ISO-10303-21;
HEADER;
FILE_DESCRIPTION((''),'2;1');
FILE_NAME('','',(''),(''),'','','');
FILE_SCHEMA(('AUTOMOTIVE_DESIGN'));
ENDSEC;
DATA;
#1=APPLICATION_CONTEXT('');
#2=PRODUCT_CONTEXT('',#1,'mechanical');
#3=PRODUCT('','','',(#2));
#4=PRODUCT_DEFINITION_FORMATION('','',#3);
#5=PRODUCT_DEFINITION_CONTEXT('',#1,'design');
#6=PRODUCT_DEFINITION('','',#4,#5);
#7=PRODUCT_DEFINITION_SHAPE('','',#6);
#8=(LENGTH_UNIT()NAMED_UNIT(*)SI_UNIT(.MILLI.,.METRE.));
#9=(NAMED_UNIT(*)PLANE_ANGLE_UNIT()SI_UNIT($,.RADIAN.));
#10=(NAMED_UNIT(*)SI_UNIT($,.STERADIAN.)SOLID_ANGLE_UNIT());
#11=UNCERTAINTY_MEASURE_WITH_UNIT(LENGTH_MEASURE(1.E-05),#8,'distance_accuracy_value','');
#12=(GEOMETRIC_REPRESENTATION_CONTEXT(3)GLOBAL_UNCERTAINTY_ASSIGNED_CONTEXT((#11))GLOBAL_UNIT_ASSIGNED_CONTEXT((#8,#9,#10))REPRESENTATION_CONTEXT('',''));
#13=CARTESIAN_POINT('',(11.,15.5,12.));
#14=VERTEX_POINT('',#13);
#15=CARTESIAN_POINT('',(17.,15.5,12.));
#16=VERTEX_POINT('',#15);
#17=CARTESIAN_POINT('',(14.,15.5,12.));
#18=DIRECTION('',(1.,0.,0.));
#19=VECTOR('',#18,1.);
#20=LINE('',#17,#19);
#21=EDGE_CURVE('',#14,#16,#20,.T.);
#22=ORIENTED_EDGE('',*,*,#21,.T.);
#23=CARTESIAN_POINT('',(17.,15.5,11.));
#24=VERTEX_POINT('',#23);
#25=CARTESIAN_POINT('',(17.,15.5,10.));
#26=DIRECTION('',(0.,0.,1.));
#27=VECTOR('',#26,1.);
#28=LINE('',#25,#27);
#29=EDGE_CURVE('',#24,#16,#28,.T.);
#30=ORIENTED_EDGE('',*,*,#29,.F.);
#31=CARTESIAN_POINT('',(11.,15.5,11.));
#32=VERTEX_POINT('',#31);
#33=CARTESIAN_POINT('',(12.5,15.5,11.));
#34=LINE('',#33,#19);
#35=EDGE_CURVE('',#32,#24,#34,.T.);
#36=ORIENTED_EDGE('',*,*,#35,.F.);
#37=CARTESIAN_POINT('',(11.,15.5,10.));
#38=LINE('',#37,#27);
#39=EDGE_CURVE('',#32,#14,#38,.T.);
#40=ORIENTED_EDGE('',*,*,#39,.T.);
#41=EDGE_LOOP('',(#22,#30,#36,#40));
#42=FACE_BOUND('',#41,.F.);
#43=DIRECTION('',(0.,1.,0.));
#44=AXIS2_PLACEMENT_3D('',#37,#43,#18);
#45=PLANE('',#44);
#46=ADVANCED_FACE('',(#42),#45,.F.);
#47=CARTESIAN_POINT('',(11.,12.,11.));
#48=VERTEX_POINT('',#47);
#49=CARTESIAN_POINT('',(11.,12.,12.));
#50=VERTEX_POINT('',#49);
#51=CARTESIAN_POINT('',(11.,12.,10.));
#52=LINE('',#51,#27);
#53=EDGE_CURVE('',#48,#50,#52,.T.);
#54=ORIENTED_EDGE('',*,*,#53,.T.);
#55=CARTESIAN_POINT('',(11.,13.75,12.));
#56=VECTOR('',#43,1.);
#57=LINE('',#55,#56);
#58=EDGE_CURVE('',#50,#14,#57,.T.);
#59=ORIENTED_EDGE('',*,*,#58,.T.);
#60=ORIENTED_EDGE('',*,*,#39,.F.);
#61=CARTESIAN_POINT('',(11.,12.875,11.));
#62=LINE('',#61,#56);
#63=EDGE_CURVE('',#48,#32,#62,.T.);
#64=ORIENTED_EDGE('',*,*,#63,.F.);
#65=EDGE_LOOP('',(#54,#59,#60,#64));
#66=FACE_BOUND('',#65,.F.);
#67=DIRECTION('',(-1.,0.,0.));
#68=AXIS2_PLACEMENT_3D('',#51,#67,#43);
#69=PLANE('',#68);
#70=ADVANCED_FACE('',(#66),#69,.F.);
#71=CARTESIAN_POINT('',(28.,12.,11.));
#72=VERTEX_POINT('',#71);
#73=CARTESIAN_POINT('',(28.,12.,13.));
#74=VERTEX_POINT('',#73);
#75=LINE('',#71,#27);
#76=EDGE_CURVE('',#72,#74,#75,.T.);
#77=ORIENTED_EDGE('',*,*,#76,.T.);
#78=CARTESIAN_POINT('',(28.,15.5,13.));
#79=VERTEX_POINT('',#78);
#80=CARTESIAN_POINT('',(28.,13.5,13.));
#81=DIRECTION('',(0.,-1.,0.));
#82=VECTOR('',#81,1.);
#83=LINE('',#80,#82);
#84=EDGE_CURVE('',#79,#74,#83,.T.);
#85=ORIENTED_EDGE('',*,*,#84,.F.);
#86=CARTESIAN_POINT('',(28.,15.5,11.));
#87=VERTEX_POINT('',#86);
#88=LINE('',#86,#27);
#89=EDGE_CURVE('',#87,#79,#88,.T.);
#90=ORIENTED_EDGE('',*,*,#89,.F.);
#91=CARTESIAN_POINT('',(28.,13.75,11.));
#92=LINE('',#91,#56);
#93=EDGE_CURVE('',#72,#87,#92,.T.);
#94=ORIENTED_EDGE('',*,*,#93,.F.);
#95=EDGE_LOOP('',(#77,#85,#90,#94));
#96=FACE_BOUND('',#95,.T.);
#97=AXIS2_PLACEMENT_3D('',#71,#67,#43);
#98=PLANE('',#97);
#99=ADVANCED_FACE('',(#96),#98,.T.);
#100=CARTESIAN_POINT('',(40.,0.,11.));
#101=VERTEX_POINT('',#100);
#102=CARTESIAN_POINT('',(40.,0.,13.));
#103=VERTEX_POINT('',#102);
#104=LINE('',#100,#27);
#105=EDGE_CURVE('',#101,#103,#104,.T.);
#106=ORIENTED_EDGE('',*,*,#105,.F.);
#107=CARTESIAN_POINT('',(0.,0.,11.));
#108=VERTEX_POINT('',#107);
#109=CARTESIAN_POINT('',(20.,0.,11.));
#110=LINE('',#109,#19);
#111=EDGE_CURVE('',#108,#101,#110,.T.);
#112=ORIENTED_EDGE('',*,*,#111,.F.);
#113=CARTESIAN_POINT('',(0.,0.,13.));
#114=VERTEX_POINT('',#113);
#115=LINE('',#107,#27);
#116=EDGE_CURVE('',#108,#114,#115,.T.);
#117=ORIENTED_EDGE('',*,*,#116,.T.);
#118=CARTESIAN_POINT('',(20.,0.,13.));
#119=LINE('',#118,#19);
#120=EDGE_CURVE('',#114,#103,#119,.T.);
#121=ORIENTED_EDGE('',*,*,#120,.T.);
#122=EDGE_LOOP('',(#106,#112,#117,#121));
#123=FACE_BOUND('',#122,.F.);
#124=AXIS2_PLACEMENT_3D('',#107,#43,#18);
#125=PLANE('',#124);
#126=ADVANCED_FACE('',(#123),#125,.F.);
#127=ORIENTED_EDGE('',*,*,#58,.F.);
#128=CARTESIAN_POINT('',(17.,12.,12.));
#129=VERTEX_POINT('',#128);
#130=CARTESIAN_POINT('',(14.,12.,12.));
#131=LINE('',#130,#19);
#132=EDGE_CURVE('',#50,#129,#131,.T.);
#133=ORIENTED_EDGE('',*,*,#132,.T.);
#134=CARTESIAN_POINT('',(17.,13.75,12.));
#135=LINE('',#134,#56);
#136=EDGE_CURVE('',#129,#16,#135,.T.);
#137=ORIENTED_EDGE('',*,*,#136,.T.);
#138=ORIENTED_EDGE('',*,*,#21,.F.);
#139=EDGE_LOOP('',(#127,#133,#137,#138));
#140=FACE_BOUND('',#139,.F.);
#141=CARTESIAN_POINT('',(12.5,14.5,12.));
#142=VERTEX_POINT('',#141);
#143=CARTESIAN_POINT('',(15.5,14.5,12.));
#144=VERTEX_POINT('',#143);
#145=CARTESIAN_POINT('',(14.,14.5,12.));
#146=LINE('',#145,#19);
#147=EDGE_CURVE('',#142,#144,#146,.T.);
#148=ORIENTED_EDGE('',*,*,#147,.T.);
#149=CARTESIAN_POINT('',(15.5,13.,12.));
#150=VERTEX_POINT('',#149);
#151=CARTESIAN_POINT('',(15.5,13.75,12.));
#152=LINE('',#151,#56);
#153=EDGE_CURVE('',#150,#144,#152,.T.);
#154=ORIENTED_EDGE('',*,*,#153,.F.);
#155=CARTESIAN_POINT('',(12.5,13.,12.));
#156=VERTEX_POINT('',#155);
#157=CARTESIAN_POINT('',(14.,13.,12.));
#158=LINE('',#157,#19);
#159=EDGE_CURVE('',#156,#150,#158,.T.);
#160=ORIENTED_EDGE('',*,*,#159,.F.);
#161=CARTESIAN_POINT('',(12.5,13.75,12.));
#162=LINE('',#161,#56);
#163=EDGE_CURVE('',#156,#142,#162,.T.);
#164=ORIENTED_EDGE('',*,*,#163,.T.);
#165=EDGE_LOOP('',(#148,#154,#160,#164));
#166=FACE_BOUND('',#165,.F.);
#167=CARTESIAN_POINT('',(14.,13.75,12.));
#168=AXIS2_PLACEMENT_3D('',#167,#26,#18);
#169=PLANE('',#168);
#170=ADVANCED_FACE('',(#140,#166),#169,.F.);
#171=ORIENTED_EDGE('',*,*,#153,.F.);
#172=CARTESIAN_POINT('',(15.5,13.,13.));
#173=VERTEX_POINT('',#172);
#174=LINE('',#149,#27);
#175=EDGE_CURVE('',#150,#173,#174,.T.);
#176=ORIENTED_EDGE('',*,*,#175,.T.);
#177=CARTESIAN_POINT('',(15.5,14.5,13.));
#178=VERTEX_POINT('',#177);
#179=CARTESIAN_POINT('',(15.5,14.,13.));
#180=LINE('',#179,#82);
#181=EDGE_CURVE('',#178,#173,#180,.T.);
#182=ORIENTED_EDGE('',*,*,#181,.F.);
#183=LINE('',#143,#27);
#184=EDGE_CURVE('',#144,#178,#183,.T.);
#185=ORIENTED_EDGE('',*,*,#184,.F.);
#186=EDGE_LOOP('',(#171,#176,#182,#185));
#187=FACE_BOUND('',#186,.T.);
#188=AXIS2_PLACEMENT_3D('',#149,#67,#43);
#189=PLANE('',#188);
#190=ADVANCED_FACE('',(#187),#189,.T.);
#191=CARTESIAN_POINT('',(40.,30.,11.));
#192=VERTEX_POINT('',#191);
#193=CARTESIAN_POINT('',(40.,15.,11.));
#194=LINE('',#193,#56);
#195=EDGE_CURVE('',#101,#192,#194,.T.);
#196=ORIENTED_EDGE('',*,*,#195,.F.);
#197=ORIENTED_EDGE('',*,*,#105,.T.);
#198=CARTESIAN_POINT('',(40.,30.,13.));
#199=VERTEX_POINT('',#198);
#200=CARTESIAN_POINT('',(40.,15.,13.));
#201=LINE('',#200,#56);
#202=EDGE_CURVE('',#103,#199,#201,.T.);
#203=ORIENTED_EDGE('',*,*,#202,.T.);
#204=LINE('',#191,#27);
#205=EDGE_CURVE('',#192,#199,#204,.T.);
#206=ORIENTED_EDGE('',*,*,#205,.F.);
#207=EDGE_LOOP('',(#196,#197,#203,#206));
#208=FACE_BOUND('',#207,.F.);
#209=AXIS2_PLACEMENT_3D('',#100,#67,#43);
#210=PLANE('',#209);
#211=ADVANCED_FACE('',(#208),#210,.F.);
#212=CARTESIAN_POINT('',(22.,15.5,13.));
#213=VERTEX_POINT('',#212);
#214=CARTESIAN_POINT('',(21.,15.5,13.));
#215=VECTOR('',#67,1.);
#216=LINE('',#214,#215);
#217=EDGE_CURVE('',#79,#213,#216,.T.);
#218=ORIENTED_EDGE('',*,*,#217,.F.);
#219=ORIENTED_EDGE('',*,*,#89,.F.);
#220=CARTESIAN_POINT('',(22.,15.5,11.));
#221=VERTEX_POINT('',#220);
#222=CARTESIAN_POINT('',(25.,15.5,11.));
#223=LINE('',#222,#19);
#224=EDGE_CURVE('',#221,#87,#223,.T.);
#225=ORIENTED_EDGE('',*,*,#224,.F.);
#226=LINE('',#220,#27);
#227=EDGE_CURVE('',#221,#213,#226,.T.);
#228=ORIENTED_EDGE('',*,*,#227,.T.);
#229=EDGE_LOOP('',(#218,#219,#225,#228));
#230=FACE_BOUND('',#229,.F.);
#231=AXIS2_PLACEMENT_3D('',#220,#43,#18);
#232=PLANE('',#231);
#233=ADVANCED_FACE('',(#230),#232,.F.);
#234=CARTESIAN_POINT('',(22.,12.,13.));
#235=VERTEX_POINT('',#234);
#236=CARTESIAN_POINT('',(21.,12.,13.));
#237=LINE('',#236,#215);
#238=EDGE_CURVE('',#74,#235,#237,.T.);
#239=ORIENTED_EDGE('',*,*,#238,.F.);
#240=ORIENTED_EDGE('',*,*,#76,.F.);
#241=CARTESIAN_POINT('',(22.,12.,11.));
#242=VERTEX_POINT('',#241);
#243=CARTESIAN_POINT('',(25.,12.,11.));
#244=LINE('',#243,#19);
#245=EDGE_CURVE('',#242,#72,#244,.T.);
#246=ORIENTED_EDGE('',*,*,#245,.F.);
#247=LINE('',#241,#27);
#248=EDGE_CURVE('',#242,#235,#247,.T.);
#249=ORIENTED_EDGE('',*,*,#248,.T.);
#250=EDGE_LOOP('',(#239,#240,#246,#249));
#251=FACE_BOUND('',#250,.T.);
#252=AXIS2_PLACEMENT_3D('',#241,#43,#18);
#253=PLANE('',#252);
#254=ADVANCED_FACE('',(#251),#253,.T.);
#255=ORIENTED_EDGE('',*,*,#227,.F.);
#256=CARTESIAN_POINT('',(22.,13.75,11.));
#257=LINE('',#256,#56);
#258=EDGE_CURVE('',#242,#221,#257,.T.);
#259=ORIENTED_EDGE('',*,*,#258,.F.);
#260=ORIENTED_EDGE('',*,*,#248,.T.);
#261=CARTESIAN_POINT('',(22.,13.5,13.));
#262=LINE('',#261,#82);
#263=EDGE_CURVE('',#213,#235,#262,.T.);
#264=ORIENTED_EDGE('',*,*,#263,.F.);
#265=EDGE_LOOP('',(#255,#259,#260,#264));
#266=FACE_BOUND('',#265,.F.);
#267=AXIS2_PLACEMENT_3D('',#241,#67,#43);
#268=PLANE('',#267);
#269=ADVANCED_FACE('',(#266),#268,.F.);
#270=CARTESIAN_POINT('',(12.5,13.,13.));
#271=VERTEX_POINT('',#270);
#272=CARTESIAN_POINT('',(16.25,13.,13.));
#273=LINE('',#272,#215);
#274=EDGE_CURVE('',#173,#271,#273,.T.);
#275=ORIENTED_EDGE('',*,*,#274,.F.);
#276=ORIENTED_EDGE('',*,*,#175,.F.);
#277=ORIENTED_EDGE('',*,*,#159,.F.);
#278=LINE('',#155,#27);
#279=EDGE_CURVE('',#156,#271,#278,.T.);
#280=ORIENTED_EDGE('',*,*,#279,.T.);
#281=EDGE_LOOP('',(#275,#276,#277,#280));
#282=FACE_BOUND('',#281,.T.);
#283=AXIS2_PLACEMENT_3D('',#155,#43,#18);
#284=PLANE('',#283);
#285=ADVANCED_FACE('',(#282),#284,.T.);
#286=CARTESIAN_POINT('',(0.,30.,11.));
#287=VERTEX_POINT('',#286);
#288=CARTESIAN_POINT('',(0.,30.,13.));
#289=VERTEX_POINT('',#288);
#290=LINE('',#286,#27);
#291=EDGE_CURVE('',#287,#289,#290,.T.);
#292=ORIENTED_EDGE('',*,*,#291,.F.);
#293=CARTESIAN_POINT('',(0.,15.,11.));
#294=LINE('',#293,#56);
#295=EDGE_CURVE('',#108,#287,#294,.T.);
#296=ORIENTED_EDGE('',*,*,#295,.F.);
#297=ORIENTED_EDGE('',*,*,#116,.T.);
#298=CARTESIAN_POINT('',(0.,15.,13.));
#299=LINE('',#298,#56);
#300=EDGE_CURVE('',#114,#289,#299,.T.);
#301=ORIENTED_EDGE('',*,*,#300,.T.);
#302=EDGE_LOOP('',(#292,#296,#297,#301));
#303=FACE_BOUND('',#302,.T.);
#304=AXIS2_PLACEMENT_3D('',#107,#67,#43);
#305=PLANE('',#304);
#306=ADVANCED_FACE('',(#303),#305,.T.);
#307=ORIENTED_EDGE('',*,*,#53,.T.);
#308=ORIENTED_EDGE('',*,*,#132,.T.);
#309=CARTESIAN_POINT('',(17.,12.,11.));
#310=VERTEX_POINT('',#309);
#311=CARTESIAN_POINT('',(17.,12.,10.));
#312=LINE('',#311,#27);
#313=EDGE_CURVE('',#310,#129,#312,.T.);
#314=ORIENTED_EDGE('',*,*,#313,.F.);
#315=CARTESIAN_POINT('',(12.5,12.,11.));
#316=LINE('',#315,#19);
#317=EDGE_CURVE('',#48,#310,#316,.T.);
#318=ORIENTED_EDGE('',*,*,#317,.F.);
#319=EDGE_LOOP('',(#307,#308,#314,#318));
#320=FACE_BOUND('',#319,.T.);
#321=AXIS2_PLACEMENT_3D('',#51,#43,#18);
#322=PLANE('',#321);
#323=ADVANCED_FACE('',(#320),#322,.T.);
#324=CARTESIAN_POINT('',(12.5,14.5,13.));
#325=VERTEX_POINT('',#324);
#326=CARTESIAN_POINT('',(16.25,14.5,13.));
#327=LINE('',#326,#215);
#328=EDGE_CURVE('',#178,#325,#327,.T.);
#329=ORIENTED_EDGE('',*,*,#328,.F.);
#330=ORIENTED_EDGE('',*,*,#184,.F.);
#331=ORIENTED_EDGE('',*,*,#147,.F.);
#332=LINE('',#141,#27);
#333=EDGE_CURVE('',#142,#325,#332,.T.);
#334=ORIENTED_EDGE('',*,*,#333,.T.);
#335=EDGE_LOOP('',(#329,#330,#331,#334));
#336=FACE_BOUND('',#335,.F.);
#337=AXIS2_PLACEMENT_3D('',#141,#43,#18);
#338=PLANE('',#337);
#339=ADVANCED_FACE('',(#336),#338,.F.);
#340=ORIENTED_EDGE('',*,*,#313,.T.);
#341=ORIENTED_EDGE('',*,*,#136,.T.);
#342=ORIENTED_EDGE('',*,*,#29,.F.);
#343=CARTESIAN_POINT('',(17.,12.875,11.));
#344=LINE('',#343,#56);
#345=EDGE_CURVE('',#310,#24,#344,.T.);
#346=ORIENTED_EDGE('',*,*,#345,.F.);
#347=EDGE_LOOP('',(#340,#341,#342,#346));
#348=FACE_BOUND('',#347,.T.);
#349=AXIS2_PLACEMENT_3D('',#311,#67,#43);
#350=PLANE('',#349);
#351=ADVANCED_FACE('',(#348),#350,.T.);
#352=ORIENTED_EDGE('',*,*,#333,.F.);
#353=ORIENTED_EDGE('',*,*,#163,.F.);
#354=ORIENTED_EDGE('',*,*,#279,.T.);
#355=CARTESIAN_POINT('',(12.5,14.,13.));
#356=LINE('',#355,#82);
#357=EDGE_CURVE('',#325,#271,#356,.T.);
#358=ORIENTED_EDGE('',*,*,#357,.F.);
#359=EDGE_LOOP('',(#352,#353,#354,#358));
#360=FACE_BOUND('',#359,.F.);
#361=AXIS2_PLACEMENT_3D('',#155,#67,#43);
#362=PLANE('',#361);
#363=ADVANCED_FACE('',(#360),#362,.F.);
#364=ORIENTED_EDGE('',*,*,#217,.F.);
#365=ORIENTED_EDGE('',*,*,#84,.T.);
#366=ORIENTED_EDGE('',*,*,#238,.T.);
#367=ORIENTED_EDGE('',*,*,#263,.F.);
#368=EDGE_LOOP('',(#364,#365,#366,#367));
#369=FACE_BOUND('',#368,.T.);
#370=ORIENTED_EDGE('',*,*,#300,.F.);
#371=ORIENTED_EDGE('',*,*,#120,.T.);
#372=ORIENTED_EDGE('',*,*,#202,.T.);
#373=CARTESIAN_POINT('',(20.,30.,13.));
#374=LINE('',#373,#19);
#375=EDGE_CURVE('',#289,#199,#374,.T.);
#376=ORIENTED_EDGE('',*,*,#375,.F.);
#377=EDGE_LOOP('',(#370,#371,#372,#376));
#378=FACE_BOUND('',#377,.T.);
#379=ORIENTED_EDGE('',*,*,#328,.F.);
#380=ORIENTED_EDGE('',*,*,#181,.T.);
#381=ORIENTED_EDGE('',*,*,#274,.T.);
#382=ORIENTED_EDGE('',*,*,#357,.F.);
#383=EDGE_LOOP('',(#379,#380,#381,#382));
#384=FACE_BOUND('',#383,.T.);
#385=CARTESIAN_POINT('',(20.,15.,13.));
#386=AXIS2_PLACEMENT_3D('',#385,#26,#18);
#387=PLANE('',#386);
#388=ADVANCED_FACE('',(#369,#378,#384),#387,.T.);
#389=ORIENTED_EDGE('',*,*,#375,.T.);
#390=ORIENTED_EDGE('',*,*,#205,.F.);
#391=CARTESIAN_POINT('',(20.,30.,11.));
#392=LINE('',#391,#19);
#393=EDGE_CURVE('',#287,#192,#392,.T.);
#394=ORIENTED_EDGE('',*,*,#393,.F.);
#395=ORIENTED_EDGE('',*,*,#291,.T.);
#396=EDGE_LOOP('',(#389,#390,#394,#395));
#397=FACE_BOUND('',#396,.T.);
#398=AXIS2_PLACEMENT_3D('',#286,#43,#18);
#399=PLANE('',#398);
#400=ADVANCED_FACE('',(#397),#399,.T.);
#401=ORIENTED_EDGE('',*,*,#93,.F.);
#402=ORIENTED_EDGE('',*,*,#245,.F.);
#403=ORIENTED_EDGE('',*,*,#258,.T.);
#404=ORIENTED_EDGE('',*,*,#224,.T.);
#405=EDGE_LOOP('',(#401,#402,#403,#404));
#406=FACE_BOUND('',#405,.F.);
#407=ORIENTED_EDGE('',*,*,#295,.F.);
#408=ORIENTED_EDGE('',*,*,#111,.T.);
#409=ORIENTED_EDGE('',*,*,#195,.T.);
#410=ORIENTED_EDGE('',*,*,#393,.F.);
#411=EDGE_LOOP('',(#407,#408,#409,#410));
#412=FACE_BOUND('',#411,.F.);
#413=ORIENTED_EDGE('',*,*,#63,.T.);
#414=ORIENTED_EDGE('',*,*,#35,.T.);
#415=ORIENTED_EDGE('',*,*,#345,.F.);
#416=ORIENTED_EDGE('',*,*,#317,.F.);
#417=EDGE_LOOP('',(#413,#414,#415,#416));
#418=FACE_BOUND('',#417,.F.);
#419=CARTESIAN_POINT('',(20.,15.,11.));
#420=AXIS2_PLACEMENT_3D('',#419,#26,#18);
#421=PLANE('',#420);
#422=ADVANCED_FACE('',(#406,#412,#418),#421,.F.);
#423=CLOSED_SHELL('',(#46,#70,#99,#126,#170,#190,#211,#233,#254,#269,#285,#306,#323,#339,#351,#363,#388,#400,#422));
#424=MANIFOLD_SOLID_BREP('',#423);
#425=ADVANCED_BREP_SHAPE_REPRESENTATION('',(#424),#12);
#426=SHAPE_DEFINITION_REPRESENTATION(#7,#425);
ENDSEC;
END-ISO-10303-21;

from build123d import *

# Parameters (mm, degrees)
BOX018_W     = 6
BOX018_H     = 3.5
BOX018_DEPTH = 3
BOX010_W     = 8
BOX010_H     = 5.5
BOX010_DEPTH = 1
BOX011_W     = 3
BOX011_H     = 1.5
BOX011_DEPTH = 2
BOX009_W     = 6
BOX009_H     = 3.5
BOX009_DEPTH = 2
BOX004_W     = 40
BOX004_H     = 30
BOX004_DEPTH = 2


with BuildPart() as cube016:
    # Box018 → Box018 (new body)
    with BuildSketch(Plane(origin=(22, 12, 11), x_dir=(1, 0, 0), z_dir=(0, 0, 1))):
        with Locations((3, 1.75)):
            Rectangle(BOX018_W, BOX018_H)
    extrude(amount=BOX018_DEPTH)


with BuildPart() as cube008:
    # Box010 → Box010 (new body)
    with BuildSketch(Plane(origin=(10, 11, 10), x_dir=(1, 0, 0), z_dir=(0, 0, 1))):
        with Locations((4, 2.75)):
            Rectangle(BOX010_W, BOX010_H)
    extrude(amount=BOX010_DEPTH)


with BuildPart() as cube009:
    # Box011 → Box011 (new body)
    with BuildSketch(Plane(origin=(12.5, 13, 12), x_dir=(1, 0, 0), z_dir=(0, 0, 1))):
        with Locations((1.5, 0.75)):
            Rectangle(BOX011_W, BOX011_H)
    extrude(amount=BOX011_DEPTH)


with BuildPart() as fusion002:
    # Box009 → Box009 (new body)
    with BuildSketch(Plane(origin=(11, 12, 10), x_dir=(1, 0, 0), z_dir=(0, 0, 1))):
        with Locations((3, 1.75)):
            Rectangle(BOX009_W, BOX009_H)
    extrude(amount=BOX009_DEPTH)

    # Fusion002: union Cube008, Cube009
    add(cube008.part)
    add(cube009.part)


with BuildPart() as top:
    # Box004 → Box004 (new body)
    with BuildSketch(Plane.XY.offset(11)):
        with Locations((20, 15)):
            Rectangle(BOX004_W, BOX004_H)
    extrude(amount=BOX004_DEPTH)

    # Cut002: cut Fusion002
    add(fusion002.part, mode=Mode.SUBTRACT)

    # Cut005: cut Cube016
    add(cube016.part, mode=Mode.SUBTRACT)


solid = top.part
